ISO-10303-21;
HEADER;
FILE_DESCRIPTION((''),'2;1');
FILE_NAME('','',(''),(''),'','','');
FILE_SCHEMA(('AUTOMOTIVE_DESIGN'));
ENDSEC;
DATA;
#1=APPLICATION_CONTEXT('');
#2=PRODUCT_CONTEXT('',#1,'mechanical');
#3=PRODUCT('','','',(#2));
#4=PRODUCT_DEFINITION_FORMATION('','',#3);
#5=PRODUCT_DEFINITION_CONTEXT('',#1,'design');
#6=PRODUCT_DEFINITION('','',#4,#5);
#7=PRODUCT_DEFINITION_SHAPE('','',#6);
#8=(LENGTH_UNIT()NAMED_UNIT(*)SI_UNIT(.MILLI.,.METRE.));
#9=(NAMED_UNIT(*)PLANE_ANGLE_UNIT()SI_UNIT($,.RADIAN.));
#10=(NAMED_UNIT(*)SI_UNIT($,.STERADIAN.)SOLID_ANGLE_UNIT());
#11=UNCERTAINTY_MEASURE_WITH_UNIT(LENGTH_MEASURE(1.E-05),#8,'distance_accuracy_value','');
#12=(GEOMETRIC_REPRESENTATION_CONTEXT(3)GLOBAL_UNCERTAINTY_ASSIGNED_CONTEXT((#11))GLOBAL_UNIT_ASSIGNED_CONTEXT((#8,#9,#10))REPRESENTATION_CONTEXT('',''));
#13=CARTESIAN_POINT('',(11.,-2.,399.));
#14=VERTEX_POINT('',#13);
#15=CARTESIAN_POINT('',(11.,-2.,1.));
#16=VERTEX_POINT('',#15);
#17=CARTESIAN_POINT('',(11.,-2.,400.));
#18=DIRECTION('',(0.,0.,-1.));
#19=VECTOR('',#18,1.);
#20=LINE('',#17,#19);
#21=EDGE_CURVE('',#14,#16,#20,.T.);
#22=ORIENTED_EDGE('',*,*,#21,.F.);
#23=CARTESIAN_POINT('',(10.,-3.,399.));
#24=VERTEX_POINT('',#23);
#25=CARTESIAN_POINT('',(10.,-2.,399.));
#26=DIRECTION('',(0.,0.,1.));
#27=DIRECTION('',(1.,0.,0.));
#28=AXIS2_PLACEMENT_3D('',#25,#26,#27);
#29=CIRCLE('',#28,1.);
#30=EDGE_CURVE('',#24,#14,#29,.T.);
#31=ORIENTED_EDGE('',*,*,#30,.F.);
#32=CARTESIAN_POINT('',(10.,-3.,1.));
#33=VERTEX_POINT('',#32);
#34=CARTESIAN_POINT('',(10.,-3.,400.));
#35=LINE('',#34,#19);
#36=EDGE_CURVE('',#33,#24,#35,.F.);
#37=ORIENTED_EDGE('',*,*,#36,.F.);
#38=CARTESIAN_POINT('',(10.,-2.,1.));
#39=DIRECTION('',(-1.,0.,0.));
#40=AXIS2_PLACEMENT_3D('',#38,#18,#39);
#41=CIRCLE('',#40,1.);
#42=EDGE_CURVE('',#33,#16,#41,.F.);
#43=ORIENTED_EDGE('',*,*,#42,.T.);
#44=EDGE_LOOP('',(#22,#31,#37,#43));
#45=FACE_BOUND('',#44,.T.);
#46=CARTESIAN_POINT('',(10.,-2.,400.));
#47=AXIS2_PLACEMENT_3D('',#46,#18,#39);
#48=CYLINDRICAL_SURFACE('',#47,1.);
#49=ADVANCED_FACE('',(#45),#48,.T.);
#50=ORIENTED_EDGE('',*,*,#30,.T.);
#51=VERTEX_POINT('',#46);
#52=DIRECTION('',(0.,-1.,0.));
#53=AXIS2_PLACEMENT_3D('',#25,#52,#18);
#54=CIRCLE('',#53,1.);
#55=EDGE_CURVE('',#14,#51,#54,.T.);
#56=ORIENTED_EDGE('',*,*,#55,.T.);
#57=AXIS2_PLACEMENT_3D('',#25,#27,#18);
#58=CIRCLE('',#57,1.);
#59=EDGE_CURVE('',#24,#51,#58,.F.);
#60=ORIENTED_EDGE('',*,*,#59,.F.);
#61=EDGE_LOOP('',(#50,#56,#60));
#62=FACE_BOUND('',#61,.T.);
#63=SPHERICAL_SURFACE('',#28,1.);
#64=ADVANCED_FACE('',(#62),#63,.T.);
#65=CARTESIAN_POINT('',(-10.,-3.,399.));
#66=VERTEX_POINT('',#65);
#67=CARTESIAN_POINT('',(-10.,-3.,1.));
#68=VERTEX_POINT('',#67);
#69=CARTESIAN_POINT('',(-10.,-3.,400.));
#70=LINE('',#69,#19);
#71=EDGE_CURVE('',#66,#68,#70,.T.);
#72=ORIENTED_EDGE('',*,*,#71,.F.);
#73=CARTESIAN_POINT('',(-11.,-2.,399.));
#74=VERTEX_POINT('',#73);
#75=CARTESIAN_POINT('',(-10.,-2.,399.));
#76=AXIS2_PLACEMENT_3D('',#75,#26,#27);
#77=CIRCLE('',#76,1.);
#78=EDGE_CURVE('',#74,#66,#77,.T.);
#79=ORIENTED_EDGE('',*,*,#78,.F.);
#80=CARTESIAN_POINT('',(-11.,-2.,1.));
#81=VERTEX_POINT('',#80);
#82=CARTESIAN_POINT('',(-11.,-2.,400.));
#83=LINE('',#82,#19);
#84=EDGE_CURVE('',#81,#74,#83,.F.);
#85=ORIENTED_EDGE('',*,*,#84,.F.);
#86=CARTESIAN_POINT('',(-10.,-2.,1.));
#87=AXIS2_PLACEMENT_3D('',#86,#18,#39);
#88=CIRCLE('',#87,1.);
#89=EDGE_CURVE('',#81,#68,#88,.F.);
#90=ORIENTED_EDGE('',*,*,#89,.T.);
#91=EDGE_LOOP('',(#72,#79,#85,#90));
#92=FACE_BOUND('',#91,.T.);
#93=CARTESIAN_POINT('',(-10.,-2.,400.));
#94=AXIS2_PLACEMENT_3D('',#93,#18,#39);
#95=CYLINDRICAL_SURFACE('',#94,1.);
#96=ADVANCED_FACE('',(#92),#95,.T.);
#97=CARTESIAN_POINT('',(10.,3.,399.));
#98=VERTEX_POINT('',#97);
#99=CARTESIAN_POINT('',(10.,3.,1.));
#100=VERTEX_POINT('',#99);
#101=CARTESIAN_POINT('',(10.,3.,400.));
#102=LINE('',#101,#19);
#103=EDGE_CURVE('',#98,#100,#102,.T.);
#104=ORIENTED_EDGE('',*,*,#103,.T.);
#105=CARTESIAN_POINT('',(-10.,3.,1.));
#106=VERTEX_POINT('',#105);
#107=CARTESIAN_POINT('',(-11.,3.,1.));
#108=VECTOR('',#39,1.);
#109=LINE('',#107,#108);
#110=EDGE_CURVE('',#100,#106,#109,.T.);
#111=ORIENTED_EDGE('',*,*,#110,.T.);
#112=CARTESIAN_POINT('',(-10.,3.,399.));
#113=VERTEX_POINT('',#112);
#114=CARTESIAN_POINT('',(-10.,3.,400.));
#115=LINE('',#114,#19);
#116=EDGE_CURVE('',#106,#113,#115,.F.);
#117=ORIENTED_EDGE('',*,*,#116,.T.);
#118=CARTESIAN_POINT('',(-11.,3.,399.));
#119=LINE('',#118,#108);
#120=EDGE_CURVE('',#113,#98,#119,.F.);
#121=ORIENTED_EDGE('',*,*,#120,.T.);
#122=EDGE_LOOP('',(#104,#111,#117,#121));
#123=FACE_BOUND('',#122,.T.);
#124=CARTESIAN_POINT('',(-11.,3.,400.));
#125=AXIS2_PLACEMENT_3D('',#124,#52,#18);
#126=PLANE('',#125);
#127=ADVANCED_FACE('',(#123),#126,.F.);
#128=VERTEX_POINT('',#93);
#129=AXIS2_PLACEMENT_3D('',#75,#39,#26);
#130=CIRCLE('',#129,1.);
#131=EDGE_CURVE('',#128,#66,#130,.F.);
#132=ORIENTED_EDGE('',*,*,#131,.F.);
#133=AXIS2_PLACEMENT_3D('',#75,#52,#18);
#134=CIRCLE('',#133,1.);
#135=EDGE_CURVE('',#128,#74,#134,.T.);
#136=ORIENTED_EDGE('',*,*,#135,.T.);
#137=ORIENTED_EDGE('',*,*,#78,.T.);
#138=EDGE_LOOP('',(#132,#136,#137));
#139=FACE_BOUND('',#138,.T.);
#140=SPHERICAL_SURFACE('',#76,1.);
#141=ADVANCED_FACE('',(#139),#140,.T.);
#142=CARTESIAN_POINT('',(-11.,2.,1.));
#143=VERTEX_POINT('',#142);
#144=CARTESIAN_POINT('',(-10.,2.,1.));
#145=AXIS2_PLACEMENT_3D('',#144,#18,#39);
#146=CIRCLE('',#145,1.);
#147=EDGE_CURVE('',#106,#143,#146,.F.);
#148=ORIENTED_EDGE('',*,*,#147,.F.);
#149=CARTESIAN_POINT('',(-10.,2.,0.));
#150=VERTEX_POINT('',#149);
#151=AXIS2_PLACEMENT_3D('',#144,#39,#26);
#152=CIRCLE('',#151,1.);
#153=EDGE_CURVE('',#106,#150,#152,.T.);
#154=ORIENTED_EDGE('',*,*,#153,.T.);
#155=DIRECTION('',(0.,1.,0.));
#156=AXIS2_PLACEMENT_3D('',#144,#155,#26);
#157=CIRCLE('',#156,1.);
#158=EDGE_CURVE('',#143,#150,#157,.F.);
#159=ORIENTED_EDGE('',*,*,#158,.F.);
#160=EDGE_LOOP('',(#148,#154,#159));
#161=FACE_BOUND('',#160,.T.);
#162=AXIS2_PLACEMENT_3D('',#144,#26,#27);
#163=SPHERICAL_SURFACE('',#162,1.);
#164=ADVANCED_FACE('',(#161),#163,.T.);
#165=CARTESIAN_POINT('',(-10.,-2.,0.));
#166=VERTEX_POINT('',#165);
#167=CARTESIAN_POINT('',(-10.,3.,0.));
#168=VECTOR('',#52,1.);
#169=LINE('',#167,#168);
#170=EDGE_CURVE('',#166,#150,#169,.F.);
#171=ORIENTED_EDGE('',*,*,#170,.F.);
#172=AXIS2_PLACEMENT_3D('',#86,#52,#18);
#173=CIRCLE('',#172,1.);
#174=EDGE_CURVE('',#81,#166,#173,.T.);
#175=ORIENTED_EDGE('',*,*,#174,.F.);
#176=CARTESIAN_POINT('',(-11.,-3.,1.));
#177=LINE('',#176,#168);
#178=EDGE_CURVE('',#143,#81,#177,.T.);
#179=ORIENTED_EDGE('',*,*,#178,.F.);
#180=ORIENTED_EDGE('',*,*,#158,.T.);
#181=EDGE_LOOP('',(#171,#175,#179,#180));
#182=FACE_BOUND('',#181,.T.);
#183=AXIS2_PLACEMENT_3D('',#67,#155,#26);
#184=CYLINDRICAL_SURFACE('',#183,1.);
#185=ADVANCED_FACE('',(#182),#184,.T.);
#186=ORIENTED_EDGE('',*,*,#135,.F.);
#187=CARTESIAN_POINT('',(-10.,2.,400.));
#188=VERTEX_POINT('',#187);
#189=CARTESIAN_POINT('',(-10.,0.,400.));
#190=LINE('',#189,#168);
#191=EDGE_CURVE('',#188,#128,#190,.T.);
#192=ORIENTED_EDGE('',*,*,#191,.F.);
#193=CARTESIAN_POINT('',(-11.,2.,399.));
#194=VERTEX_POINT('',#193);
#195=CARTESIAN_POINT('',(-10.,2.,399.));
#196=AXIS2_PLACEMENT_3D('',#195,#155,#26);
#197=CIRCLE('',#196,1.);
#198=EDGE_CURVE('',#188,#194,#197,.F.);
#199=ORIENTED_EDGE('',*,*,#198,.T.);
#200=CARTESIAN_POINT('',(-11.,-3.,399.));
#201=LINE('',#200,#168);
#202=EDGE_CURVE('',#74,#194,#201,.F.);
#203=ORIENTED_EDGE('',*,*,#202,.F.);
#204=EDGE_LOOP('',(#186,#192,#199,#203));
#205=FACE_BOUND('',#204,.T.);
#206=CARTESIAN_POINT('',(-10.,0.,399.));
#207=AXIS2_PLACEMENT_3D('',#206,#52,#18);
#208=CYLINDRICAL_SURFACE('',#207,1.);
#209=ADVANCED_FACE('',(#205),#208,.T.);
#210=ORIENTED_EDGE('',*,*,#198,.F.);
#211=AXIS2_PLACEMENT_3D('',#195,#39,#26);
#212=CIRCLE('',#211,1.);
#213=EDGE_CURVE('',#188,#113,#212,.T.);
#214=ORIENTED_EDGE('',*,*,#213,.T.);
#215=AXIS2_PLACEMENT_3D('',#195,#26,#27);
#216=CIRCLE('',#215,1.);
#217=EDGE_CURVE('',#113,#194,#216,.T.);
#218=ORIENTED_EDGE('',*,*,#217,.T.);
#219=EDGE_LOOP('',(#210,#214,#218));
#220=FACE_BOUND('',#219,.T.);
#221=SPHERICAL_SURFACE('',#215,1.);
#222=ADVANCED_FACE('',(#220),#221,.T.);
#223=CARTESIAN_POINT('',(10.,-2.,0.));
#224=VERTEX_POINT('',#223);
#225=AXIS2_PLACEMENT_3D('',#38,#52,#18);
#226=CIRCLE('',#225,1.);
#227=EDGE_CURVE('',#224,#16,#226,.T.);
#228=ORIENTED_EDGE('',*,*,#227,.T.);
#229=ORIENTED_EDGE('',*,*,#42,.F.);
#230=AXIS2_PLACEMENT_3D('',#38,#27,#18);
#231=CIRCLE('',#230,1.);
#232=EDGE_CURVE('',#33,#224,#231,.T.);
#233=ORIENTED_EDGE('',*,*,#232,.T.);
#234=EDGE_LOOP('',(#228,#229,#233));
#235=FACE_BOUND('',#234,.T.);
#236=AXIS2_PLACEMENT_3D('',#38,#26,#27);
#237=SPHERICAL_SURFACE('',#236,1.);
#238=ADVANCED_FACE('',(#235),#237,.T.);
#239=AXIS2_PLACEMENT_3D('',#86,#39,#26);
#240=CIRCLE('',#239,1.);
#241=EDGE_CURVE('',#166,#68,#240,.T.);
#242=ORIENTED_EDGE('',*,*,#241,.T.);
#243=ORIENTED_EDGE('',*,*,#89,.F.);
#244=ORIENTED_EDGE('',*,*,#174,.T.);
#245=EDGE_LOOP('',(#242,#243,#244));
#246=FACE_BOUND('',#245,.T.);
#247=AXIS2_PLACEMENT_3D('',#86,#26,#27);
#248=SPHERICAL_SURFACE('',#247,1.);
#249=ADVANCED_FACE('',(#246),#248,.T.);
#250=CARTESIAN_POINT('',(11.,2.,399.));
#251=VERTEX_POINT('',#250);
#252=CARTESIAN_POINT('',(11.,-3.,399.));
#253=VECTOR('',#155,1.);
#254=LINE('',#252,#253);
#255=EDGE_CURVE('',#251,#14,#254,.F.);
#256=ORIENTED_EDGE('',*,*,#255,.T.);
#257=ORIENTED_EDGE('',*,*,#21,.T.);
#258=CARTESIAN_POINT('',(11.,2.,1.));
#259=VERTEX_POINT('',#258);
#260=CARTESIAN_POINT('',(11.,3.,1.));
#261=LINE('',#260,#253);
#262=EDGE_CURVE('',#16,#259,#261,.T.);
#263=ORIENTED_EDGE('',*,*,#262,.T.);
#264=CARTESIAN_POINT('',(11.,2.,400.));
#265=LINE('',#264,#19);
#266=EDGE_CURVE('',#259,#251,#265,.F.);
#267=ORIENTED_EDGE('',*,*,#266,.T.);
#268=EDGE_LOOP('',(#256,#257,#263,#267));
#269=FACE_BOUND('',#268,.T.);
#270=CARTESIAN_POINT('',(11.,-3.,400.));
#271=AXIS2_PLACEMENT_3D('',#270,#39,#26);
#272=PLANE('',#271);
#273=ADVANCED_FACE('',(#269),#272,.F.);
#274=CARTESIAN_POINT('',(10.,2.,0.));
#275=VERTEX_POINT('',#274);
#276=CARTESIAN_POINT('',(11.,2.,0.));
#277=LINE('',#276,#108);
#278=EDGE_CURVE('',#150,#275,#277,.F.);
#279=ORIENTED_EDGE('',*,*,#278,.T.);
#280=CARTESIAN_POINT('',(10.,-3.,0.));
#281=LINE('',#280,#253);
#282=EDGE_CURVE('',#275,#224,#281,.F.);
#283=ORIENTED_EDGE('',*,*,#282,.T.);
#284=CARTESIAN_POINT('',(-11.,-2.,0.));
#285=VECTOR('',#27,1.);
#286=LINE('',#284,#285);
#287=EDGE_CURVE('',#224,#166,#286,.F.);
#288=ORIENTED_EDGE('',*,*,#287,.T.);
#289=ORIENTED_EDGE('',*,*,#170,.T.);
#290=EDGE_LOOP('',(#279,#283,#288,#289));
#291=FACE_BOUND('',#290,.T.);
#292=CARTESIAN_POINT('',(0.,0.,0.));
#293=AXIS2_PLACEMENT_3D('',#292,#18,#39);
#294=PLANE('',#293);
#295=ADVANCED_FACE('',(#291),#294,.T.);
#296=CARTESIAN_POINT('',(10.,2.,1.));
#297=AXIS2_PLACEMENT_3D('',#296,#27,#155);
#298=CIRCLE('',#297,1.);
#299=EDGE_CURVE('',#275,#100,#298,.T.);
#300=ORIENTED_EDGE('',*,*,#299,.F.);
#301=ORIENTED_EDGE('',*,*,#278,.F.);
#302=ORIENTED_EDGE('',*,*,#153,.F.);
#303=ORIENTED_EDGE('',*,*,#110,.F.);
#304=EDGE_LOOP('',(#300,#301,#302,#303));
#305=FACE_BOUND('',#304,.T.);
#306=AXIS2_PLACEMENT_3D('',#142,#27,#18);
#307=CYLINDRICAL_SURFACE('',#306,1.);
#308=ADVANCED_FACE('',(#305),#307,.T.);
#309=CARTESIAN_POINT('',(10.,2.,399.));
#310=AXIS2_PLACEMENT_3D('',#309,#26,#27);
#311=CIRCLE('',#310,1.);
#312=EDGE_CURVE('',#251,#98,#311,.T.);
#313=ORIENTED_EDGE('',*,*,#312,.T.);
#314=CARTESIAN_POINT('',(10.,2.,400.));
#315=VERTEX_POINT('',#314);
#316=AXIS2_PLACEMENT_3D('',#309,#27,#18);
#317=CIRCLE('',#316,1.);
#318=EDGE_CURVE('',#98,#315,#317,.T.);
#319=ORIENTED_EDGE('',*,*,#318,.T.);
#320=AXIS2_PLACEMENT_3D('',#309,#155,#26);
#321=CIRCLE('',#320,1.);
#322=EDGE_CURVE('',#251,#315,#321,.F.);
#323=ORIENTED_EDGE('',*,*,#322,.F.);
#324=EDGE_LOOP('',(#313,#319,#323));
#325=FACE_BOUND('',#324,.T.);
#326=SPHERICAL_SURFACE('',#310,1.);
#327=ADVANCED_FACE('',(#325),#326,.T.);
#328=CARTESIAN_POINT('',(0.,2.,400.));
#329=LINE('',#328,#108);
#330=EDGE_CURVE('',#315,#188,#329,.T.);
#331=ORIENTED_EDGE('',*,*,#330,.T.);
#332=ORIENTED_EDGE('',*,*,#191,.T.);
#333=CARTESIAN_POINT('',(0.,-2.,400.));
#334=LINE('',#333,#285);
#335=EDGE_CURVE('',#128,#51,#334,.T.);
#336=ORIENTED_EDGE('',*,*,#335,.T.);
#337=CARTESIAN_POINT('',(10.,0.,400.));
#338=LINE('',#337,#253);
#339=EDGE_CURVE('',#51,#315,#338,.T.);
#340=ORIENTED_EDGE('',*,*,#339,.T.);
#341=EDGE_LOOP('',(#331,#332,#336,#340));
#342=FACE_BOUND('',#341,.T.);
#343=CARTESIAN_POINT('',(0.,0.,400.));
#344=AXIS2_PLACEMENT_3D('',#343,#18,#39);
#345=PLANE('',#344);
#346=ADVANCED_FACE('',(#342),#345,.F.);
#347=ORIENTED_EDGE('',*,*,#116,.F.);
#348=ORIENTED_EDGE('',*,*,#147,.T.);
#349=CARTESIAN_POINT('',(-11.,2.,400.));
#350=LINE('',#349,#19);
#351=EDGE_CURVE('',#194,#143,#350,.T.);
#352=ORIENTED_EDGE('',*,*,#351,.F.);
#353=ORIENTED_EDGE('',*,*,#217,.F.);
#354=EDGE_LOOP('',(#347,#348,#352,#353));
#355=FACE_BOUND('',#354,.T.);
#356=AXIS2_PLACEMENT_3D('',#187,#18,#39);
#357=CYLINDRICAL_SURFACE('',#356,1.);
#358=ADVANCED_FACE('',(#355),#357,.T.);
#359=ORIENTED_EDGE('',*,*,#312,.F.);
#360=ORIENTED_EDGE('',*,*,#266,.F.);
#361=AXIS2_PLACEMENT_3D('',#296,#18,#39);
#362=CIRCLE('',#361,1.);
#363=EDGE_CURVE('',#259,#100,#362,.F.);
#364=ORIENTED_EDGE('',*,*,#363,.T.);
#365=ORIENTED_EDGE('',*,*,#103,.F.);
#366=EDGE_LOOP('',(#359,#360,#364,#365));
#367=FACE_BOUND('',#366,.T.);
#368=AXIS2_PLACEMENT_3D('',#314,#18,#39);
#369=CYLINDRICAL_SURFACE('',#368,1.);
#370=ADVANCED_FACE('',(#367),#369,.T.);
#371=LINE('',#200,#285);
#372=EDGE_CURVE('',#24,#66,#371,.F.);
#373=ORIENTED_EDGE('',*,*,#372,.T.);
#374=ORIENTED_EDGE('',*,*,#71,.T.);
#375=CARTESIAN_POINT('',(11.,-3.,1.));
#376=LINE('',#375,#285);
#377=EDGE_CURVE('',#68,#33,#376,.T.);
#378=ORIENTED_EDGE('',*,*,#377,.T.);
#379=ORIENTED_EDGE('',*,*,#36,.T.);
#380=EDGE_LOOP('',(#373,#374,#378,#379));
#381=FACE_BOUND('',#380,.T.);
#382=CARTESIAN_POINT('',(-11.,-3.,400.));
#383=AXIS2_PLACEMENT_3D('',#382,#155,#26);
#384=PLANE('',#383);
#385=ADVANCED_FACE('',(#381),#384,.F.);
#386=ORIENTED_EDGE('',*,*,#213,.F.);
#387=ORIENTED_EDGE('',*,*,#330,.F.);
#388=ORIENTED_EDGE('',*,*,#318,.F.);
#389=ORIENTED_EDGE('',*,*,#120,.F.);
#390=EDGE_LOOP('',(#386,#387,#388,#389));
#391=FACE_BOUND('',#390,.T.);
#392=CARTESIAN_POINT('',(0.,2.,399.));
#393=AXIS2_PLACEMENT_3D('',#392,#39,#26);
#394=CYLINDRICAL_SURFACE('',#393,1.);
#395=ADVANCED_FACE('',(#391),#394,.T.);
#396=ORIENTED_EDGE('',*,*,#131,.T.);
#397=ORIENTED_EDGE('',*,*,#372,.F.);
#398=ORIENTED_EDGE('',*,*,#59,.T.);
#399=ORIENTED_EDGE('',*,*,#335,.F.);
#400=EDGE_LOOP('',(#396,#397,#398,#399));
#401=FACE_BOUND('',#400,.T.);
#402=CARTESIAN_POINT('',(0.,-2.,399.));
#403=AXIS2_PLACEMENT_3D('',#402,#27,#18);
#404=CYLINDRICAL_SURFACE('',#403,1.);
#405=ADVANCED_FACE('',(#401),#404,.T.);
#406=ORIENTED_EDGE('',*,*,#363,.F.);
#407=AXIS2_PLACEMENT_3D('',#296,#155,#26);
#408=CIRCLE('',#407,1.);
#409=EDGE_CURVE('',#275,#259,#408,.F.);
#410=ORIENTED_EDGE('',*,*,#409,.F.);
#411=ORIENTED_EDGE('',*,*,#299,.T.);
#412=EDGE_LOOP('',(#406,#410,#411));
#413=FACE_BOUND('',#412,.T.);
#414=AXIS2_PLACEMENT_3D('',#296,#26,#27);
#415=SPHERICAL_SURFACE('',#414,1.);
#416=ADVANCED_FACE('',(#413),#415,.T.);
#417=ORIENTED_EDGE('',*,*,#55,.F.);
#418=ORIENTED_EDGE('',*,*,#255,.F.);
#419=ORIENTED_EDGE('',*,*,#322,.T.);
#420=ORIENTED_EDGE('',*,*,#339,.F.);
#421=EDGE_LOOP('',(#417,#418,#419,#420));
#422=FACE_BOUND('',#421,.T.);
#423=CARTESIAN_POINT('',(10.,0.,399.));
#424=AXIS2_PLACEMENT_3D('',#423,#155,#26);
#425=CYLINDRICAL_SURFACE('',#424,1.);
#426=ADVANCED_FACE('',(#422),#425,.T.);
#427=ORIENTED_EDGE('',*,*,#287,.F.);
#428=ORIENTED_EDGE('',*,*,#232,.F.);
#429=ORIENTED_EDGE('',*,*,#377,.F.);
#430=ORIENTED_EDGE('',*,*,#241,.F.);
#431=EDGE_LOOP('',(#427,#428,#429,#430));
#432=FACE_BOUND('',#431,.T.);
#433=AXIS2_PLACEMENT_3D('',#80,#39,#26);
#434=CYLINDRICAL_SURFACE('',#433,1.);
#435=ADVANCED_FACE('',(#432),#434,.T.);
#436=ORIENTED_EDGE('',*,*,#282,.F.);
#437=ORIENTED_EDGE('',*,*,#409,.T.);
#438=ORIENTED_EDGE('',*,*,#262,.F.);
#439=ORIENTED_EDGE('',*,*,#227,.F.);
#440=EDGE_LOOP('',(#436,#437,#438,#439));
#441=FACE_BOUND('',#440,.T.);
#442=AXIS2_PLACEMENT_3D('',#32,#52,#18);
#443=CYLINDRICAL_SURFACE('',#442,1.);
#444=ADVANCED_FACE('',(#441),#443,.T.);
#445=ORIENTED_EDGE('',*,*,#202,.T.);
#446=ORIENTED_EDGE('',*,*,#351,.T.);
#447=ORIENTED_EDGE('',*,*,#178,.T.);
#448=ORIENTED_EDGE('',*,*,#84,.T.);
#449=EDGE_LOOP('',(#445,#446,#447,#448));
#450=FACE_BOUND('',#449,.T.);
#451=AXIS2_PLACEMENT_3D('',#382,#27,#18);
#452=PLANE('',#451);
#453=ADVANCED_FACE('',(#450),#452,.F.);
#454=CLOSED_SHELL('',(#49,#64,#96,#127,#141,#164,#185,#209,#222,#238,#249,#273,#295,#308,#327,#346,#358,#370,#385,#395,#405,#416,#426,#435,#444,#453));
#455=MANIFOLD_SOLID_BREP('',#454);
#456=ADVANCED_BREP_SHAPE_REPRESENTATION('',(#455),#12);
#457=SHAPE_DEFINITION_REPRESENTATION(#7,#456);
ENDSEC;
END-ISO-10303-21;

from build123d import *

# Parameters (mm, degrees)
SKETCH1_W           = 22
SKETCH1_H           = 6
BOSS_EXTRUDE1_DEPTH = 400
FILLET1_R           = 1


with BuildPart() as part:
    # Sketch1 → Boss-Extrude1 (new body)
    with BuildSketch(Plane.XY):
        Rectangle(SKETCH1_W, SKETCH1_H)
    extrude(amount=BOSS_EXTRUDE1_DEPTH)

    # Fillet1
    fillet1_edges = [part.edges().sort_by_distance(p)[0] for p in [
        (-11, 0, 400),
        (0, -3, 400),
        (11, 0, 400),
        (0, -3, 0),
        (-11, 0, 0),
        (0, 3, 0),
        (11, 0, 0),
        (0, 3, 400),
        (11, -3, 200),
        (-11, -3, 200),
        (-11, 3, 200),
        (11, 3, 200),
    ]]
    fillet(fillet1_edges, radius=FILLET1_R)


solid = part.part
